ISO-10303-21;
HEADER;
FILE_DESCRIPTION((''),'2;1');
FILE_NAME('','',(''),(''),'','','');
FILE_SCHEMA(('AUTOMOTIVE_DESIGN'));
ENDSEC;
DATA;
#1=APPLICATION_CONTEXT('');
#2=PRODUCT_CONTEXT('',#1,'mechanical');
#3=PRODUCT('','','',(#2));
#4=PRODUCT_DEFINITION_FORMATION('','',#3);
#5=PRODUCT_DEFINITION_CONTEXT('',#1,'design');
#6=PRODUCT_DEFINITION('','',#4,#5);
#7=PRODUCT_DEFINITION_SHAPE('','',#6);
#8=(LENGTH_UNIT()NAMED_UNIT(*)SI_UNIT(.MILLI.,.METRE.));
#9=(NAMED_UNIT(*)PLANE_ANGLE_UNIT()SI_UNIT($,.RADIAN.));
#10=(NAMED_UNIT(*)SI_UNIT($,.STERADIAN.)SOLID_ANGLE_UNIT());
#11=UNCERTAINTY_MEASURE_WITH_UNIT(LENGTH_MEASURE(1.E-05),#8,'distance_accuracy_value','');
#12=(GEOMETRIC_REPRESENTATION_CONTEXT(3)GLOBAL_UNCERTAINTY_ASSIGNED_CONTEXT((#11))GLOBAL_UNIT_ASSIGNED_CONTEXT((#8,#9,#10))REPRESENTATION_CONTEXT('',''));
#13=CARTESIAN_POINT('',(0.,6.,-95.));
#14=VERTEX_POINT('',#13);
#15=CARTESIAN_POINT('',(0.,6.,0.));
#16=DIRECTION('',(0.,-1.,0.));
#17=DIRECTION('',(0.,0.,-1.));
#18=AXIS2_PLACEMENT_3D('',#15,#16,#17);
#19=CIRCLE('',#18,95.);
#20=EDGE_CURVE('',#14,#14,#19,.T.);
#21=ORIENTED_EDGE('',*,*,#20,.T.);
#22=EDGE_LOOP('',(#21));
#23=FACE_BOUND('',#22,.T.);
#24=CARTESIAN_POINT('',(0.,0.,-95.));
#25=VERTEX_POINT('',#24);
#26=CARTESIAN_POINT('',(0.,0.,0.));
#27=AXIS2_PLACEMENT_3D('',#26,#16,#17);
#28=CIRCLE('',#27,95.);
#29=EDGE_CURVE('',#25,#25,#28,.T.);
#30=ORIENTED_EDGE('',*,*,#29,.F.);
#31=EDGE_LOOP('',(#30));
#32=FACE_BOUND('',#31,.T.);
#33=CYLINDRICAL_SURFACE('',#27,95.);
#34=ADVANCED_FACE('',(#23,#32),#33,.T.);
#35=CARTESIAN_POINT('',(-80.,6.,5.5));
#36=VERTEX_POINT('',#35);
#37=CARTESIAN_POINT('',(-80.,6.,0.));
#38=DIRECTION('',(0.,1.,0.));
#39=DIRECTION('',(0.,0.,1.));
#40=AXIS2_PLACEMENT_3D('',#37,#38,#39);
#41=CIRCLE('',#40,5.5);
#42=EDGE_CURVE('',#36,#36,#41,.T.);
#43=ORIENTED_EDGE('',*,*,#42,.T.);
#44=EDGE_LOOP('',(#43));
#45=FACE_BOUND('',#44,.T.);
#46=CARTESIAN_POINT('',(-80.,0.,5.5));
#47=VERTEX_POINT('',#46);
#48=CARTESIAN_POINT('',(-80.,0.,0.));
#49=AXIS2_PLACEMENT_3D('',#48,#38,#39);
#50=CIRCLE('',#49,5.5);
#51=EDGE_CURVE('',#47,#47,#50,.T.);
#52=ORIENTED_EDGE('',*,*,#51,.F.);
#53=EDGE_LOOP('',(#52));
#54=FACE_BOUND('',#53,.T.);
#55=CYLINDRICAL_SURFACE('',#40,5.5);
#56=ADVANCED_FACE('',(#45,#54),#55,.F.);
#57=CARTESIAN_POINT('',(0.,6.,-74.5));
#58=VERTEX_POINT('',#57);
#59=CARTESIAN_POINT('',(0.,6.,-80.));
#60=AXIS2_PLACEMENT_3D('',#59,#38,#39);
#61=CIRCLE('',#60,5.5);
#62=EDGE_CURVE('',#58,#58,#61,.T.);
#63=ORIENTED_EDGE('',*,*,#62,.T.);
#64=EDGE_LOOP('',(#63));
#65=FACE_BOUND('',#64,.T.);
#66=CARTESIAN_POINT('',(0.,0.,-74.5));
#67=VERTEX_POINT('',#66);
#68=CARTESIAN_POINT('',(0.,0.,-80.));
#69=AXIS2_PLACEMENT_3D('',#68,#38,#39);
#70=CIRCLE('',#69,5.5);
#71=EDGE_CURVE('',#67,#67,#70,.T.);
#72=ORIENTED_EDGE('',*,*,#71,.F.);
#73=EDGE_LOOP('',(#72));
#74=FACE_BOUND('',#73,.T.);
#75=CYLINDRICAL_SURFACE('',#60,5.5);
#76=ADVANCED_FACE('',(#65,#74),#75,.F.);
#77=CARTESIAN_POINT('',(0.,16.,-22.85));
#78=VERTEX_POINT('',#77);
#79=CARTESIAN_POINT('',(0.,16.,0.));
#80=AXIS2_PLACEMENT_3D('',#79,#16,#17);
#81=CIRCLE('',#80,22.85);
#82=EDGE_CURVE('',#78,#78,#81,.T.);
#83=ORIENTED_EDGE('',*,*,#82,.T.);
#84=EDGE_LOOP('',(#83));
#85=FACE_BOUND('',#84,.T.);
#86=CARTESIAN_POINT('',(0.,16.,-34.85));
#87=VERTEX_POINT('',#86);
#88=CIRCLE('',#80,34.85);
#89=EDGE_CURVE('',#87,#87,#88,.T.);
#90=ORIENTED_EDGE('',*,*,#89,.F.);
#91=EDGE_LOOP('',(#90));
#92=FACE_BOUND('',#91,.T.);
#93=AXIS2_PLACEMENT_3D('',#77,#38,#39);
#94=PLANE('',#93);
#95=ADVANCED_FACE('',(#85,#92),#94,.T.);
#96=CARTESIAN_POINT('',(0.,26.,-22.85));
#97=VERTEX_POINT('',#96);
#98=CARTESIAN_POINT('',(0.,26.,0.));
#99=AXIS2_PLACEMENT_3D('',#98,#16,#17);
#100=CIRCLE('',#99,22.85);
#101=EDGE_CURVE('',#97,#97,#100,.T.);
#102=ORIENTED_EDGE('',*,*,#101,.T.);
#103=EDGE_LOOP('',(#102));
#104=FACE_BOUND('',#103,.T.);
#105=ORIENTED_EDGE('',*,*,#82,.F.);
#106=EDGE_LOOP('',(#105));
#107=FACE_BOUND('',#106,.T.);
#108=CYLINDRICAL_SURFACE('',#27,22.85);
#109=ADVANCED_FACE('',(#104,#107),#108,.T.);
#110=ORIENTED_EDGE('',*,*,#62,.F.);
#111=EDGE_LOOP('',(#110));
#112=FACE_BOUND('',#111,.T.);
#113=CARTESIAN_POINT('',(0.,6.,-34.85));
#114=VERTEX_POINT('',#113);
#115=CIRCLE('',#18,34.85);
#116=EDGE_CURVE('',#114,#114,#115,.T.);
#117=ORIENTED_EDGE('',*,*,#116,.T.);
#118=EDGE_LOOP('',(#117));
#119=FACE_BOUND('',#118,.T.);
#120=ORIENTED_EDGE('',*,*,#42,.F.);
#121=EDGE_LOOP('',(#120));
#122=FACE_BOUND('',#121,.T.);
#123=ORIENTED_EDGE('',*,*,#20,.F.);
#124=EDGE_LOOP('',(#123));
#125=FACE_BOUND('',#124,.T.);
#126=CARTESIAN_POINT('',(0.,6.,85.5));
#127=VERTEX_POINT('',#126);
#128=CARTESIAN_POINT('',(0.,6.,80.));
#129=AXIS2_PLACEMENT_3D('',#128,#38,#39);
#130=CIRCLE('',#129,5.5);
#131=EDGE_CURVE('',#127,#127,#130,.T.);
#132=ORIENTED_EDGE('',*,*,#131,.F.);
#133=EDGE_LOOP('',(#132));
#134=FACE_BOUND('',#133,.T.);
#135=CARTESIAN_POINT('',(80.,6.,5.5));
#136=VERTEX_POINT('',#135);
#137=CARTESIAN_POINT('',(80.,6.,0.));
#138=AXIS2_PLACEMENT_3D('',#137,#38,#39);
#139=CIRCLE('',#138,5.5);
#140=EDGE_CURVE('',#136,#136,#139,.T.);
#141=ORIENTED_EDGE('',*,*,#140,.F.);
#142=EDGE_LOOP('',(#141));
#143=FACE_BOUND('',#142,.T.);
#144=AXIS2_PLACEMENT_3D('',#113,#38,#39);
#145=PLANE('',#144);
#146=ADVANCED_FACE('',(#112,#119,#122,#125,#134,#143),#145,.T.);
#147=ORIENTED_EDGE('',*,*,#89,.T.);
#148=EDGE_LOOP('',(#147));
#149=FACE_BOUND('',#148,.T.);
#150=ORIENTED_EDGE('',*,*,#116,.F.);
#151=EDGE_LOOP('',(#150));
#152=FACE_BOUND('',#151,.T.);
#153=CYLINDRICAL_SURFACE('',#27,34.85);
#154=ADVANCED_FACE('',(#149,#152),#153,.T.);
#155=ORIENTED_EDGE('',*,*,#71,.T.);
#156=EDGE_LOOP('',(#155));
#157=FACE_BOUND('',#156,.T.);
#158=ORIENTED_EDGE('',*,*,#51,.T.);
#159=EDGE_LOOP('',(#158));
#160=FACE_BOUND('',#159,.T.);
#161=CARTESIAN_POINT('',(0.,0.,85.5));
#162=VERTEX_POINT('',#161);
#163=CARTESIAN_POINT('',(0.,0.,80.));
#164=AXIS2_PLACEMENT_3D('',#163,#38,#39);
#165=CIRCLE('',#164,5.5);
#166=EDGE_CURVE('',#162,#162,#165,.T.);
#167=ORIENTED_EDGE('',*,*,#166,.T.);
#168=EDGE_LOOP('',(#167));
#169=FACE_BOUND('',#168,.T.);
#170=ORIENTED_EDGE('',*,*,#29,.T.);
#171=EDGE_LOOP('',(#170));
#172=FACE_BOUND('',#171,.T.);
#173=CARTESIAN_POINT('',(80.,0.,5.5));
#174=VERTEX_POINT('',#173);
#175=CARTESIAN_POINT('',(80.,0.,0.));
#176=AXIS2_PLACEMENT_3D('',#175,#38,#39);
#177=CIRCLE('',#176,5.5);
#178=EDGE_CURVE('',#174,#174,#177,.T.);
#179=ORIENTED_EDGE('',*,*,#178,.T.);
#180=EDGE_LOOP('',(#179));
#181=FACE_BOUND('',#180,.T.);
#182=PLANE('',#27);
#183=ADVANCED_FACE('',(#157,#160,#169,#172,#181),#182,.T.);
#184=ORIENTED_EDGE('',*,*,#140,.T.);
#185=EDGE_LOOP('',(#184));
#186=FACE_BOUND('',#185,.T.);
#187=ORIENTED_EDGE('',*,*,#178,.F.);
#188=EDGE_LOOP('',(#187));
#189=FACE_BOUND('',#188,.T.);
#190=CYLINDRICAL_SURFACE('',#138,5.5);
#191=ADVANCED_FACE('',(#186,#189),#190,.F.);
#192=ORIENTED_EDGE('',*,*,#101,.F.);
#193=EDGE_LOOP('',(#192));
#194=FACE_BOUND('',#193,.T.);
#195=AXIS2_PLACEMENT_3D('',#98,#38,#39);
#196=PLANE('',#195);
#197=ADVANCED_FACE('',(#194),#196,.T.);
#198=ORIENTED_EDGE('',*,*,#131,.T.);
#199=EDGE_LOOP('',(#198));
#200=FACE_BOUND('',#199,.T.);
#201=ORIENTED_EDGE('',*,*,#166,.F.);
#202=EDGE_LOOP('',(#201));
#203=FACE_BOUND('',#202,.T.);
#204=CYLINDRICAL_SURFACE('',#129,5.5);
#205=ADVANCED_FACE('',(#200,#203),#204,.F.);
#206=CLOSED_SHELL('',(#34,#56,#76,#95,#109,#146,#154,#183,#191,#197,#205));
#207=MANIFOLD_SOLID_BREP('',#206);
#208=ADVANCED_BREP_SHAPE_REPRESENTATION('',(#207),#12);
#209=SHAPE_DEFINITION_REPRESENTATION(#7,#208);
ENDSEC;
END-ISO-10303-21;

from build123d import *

# Parameters (mm, degrees)
M10_CLEARANCE_HOLE1_D = 11
CIRPATTERN1_COUNT     = 4


with BuildPart() as part:
    # Sketch5 → Revolve1 (revolve)
    with BuildSketch(Plane(origin=(0, 0, 0), x_dir=(0, 0, -1), z_dir=(1, 0, 0))):
        Polygon((34.85, 6), (95, 6), (95, 0), (0, 0), (0, 26), (22.85, 26), (22.85, 16), (34.85, 16), align=None)
    revolve(axis=Axis((0, 0, 0), (0, 1, 0)))

    # M10 Clearance Hole1 (through all)
    with Locations(Plane(origin=(0, 6, -80), x_dir=(0, 0, 1), z_dir=(0, 1, 0))):
        with Locations((0, 0)):
            m10_clearance_hole1 = Hole(M10_CLEARANCE_HOLE1_D / 2)

    # CirPattern1: M10 Clearance Hole1 ×4 about axis
    cirpattern1_axis = Axis((0, 0, 0), (0, 1, 0))
    for i in range(1, CIRPATTERN1_COUNT):
        add(m10_clearance_hole1.rotate(cirpattern1_axis, i * 360 / CIRPATTERN1_COUNT), mode=Mode.SUBTRACT)


solid = part.part
